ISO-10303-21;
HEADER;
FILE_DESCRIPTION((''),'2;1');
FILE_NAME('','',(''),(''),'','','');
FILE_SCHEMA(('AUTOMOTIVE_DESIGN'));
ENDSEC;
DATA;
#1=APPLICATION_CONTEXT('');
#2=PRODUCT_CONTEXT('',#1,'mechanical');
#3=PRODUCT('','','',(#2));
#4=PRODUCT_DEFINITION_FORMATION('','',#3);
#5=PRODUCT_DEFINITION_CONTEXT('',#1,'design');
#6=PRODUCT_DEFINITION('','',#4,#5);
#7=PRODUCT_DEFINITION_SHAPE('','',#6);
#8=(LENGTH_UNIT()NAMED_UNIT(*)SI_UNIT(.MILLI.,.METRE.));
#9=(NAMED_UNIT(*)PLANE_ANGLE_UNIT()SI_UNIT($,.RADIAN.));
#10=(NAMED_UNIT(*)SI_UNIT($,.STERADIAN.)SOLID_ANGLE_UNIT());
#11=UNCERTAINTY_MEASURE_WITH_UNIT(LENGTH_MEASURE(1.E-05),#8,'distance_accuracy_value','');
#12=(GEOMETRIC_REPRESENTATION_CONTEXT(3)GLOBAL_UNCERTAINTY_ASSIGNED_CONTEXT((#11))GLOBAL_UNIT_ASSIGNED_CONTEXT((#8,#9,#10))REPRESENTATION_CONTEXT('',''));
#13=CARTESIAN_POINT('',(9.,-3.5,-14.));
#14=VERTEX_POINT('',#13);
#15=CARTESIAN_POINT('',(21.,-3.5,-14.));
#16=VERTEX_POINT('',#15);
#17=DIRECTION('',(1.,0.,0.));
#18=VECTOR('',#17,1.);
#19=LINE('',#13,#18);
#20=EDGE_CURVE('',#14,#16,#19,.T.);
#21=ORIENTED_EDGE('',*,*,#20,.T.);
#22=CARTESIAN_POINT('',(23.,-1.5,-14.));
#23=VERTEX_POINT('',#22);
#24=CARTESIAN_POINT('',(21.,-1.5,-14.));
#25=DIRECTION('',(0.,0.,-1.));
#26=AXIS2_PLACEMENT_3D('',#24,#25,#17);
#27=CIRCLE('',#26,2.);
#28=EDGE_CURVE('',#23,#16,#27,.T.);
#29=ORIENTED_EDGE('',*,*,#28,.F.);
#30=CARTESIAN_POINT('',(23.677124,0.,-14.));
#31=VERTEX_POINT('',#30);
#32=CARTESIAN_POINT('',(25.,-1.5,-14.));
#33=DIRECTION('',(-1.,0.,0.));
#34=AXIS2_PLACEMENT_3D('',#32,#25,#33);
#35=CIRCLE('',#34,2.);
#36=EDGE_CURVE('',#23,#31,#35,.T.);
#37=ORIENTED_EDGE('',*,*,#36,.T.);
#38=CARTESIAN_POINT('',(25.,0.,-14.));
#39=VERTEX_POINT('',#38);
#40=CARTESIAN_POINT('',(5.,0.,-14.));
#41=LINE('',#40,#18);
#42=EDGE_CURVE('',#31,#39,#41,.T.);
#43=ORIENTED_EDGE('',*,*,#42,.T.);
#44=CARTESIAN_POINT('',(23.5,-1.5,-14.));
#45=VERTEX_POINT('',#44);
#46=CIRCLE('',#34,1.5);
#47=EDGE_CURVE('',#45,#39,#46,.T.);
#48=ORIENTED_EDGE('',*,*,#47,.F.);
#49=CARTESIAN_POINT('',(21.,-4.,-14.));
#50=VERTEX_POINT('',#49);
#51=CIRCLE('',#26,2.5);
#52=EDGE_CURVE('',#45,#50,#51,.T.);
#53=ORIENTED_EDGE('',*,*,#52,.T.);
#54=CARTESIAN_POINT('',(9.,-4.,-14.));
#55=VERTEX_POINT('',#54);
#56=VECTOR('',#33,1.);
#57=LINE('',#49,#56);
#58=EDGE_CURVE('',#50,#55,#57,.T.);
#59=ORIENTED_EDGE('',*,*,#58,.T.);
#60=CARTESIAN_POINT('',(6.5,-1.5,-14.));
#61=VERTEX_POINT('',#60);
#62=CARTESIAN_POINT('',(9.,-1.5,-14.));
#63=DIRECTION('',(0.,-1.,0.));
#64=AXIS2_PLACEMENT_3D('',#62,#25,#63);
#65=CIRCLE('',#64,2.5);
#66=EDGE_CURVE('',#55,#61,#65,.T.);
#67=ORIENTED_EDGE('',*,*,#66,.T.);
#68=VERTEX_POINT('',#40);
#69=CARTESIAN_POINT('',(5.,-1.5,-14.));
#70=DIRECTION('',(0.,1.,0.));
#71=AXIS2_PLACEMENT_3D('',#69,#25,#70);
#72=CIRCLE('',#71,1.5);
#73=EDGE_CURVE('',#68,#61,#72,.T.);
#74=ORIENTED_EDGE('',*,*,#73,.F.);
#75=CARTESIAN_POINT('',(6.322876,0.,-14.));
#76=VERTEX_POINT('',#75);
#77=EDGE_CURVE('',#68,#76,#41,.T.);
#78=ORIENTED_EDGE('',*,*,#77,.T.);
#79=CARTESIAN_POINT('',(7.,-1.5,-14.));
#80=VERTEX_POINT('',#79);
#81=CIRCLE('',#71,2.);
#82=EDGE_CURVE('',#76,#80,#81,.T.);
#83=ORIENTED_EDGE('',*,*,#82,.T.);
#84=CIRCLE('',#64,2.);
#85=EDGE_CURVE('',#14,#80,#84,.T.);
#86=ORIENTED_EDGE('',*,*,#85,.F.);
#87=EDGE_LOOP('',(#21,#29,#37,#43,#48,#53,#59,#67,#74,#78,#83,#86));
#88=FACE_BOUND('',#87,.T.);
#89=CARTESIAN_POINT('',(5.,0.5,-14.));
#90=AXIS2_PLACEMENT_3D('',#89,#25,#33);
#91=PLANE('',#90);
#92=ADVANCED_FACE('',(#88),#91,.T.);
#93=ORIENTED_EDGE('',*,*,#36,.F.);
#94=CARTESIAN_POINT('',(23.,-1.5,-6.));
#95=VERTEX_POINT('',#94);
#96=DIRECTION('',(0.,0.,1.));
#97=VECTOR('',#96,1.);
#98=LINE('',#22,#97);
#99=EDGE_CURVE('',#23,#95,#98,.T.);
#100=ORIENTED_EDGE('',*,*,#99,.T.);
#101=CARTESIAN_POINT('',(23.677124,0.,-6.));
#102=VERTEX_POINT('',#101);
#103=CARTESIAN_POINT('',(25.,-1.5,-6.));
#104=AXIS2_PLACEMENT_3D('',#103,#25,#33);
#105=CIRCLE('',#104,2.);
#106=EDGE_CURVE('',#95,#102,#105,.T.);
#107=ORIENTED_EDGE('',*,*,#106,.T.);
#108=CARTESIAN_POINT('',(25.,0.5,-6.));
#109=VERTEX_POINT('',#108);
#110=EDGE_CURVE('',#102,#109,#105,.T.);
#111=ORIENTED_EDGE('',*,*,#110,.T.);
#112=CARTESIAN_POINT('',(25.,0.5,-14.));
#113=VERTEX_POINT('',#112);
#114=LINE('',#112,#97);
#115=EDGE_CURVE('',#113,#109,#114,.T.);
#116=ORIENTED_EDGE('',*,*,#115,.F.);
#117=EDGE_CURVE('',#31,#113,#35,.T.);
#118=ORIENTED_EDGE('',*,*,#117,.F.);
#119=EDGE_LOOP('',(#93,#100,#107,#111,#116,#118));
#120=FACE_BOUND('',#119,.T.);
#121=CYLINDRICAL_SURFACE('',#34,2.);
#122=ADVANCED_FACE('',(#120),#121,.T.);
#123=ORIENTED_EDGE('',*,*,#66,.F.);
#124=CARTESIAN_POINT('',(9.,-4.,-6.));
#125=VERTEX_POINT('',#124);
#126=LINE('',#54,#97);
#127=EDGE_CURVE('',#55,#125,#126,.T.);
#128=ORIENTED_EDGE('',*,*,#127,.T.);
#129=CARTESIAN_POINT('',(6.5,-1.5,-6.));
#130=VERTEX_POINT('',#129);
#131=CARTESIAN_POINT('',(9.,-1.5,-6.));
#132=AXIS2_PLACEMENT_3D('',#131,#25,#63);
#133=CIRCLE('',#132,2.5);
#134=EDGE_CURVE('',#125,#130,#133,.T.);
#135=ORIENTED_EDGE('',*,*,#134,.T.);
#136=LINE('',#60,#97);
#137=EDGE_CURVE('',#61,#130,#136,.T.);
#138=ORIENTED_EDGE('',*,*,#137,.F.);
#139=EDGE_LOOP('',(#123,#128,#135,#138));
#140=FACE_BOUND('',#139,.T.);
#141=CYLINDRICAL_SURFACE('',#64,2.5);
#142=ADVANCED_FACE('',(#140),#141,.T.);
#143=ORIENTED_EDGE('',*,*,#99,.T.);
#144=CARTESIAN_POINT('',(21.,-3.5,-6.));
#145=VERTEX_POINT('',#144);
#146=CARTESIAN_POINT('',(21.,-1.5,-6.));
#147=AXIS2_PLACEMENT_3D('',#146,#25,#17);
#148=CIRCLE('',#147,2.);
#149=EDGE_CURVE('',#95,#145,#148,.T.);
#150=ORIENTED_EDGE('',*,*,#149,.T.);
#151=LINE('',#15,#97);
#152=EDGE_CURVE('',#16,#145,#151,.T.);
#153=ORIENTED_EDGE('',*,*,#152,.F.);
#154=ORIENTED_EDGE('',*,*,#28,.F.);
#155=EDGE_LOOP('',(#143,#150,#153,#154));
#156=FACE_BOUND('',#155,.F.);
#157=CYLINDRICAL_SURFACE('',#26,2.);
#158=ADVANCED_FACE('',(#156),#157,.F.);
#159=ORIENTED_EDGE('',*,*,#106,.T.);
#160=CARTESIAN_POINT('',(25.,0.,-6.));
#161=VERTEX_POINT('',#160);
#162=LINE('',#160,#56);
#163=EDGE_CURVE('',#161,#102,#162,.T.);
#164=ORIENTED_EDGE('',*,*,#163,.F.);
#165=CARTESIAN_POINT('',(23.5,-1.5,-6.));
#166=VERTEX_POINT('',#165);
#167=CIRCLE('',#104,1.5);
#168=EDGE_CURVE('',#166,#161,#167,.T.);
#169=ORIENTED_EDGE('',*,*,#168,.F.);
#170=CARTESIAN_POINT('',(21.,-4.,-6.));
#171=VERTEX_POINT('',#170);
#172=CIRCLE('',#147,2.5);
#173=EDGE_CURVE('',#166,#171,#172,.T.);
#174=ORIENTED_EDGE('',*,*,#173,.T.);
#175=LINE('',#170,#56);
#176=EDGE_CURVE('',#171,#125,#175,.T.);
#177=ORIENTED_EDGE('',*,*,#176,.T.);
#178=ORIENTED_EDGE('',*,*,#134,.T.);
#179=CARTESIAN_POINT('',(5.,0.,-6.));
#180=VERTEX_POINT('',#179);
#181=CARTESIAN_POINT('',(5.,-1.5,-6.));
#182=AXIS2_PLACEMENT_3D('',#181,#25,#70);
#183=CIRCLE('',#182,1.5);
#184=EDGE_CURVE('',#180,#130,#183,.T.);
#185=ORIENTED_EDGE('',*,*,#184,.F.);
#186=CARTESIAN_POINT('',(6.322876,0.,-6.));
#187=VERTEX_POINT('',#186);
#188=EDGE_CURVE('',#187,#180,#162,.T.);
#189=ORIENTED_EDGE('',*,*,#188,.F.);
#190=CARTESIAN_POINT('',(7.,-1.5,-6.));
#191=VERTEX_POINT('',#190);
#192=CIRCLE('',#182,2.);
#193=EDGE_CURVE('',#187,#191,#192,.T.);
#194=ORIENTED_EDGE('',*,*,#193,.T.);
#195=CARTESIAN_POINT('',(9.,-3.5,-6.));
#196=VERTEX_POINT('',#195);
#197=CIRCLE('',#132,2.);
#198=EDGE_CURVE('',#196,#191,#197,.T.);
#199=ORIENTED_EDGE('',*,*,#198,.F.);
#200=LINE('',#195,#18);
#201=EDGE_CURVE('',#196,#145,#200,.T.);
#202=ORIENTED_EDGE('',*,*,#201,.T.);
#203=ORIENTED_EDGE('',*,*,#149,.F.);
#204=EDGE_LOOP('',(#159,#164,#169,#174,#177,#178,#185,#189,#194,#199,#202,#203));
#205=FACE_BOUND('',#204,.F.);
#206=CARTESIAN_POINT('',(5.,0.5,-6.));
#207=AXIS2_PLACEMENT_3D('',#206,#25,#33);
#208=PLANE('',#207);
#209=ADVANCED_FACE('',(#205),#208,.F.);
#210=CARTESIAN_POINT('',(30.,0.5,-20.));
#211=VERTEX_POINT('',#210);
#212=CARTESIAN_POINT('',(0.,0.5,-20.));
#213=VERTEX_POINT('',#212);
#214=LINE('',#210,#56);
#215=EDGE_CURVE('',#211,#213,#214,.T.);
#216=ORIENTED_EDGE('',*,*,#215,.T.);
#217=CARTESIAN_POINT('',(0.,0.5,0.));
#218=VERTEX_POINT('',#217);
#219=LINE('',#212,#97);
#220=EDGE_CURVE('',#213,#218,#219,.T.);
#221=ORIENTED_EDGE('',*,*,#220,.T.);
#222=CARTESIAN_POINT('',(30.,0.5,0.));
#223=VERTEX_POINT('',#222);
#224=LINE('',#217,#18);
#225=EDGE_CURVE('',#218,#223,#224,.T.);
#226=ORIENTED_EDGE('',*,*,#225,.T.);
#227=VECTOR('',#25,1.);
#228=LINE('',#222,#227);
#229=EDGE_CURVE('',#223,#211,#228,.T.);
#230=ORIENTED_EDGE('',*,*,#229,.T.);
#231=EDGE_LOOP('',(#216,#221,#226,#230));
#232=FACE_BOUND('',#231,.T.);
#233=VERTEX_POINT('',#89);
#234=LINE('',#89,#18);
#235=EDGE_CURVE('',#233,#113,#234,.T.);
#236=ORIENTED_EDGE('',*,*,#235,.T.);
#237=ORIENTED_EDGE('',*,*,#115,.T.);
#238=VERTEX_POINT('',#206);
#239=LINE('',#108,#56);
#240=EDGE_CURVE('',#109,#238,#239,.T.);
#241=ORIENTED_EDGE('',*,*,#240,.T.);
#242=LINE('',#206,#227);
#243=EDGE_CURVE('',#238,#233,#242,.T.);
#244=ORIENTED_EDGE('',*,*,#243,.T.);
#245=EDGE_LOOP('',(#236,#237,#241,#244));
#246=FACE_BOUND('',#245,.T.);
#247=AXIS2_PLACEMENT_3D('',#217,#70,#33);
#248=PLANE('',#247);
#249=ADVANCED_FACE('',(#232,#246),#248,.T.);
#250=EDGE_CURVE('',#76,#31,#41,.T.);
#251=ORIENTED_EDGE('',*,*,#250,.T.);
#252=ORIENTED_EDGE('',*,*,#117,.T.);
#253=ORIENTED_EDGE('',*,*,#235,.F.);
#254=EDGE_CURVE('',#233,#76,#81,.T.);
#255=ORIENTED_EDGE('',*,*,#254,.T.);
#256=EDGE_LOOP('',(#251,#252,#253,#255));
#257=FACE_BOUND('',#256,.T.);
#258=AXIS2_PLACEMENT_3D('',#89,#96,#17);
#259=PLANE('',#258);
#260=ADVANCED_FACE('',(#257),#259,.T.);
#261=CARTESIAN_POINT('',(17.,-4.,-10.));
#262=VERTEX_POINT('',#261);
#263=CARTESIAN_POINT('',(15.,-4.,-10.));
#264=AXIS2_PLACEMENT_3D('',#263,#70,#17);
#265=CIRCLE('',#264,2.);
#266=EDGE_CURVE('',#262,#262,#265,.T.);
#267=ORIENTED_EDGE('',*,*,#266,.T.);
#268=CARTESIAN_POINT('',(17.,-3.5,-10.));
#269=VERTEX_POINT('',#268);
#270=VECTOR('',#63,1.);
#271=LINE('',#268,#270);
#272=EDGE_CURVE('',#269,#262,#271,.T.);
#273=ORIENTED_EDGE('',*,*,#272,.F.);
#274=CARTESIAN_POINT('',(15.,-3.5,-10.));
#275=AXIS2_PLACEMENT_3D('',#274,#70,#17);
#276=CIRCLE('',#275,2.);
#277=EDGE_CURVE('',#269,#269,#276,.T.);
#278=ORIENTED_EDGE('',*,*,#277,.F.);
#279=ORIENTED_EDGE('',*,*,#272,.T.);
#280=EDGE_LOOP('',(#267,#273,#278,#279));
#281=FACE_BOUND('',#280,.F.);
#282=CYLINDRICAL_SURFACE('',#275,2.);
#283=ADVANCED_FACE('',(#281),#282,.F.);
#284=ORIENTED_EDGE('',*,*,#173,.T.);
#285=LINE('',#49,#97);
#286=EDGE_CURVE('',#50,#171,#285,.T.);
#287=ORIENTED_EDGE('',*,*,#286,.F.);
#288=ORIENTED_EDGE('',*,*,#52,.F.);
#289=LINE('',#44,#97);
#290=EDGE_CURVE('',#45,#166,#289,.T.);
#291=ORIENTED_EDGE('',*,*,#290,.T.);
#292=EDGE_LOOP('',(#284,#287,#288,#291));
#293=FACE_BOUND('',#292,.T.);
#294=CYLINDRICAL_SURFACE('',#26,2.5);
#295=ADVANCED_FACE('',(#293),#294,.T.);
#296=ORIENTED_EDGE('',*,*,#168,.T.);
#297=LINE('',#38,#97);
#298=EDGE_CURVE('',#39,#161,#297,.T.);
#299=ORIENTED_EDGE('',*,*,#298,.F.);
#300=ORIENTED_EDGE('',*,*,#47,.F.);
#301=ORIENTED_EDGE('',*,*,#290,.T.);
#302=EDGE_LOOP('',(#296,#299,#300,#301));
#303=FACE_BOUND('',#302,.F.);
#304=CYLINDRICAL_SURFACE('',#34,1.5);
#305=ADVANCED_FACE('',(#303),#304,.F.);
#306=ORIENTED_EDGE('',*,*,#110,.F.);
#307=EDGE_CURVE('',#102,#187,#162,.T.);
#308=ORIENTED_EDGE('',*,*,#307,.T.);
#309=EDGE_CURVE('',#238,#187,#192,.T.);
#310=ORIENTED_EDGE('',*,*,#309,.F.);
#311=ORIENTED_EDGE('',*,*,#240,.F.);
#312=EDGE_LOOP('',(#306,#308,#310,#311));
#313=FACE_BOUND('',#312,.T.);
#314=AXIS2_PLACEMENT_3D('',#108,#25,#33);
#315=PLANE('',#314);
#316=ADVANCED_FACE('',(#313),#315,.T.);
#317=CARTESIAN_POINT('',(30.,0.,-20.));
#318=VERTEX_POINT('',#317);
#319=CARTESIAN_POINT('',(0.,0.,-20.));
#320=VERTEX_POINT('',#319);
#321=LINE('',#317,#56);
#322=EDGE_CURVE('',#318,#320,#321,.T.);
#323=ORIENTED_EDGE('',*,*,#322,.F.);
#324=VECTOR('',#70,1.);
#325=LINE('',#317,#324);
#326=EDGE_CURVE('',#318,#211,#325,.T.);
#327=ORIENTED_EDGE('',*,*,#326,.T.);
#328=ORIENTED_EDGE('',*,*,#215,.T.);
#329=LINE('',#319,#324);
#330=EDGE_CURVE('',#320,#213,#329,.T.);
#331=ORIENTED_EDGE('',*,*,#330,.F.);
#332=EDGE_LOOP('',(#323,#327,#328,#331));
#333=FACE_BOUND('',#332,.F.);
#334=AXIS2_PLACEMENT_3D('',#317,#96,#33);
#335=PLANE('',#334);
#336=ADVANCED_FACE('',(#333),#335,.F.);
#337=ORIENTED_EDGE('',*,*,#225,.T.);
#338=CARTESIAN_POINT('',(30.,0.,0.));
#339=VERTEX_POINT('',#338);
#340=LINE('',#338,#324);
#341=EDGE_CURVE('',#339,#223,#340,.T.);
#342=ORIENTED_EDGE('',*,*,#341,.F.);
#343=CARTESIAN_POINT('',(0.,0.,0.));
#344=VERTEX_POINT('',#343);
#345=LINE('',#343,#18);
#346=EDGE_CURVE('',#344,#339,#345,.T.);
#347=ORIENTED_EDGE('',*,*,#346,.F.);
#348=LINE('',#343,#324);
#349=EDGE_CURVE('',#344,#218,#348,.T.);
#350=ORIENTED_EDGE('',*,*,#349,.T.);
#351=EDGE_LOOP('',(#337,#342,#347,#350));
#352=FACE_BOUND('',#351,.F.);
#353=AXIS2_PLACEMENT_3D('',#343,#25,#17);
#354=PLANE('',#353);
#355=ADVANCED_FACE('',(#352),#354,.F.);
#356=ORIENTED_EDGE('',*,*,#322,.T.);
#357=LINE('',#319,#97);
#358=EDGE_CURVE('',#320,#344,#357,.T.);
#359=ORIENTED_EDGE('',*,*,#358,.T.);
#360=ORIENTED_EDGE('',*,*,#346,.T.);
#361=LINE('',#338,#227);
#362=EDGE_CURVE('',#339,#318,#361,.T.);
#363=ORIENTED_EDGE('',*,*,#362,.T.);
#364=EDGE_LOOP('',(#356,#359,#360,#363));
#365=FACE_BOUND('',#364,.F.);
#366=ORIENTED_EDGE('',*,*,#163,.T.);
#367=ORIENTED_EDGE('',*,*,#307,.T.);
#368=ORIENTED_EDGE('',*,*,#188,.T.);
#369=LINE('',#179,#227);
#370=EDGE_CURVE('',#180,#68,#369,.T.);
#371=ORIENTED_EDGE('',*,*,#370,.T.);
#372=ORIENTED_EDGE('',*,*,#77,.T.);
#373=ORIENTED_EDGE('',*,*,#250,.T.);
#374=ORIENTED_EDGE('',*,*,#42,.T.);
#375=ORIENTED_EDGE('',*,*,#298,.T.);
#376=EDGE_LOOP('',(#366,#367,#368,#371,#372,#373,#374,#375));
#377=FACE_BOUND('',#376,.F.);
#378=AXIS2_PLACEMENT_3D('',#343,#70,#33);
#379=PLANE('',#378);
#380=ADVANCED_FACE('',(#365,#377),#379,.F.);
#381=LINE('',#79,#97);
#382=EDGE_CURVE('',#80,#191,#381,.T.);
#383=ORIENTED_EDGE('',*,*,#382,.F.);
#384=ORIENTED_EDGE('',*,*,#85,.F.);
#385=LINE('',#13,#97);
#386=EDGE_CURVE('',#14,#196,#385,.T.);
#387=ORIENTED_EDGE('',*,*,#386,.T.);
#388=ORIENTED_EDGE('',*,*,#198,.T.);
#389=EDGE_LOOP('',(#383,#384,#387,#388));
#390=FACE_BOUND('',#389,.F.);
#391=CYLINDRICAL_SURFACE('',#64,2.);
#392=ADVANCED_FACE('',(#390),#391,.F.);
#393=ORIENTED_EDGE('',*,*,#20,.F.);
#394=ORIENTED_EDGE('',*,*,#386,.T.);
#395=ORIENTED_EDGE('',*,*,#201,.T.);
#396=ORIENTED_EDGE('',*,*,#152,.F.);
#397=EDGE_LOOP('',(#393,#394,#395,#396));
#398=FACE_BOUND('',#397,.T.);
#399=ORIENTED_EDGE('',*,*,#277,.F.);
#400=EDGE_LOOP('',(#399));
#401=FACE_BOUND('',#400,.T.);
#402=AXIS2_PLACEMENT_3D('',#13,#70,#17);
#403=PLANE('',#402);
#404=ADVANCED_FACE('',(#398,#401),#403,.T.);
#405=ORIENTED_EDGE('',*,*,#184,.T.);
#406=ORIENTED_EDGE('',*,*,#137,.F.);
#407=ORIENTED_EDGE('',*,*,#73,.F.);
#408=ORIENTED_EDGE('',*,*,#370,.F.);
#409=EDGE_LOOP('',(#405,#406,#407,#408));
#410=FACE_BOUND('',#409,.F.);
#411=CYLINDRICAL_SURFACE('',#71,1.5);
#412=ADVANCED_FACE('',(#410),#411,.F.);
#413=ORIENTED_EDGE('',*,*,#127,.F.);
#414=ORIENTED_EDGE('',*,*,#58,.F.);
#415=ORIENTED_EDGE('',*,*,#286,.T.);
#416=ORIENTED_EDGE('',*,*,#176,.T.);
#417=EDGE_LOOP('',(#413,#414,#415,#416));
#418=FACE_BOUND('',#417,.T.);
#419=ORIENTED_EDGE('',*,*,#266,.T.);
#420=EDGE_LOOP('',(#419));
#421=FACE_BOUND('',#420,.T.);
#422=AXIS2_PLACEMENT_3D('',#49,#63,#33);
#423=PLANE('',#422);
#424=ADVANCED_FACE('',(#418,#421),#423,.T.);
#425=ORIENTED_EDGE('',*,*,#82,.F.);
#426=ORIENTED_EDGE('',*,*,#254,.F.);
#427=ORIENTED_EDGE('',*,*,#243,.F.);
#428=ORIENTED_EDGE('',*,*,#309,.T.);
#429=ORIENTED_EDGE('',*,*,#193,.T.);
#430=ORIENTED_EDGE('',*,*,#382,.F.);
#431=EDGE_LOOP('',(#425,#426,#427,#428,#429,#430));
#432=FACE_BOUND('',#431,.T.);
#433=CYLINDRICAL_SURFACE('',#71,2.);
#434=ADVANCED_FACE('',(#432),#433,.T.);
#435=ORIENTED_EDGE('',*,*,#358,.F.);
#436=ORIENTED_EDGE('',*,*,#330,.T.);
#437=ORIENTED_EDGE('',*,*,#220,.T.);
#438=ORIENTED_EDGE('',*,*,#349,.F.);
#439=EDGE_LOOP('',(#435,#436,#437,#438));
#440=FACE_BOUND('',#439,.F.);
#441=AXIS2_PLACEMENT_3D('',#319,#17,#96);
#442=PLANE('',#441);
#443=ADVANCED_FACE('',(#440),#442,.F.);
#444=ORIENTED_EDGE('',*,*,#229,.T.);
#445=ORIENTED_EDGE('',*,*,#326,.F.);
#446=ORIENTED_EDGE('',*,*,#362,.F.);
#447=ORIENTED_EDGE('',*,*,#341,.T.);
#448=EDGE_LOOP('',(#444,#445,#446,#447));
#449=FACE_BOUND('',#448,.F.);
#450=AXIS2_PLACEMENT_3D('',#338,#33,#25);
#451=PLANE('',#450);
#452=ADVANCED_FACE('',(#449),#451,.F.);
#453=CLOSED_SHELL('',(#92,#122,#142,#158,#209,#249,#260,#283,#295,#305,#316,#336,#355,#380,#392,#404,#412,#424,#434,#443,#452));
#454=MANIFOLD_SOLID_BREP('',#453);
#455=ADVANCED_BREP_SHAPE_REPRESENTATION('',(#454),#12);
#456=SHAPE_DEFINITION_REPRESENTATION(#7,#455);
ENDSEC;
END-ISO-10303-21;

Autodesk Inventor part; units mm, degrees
ref_plane "YZ Plane" through (0, 0, 0) normal (1, 0, 0) x (0, 1, 0)
ref_plane "XZ Plane" through (0, 0, 0) normal (0, 1, 0) x (-1, 0, 0)
sketch "Sketch1" plane through (0, 0, 0) normal (0, 1, 0) x (-1, 0, 0)
  line L0 (0, 0) -> (-30, 0)
  line L1 (-30, 0) -> (-30, -20)
  line L2 (-30, -20) -> (0, -20)
  line L3 (0, -20) -> (0, 0)
  dimension "d0" = 30
  dimension "d1" = 20
extrude "Plate1" add sketch "Sketch1" along normal blind 0.5
sketch "Sketch2" plane through (0, 0.5, 0) normal (0, 1, 0) x (1, 0, 0)
  line L0 (5, 14) -> (25, 14)
  line L1 (25, 14) -> (25, 6)
  line L2 (25, 6) -> (5, 6)
  line L3 (5, 6) -> (5, 14)
  line L4 (5, 14) -> (25, 6) construction
  line L5 (25, 14) -> (5, 6) construction
  line L6 (0, 0) -> (0, 20) projected
  line L7 (30, 0) -> (0, 0) projected
  point P0 (15, 10)
  dimension "d3" = 15
  dimension "d4" = 10
  dimension "d5" = 20
  dimension "Width" = 8
extrude "Extrusion1" cut sketch "Sketch2" against normal blind 0.5
ref_plane "Work Plane1" through (5, 0.5, -14) normal (0, 0, -1) x (-1, 0, 0)
sketch "Sketch3" plane through (5, 0.5, -14) normal (0, 0, -1) x (-1, 0, 0)
  line L0 (-20, 0) -> (0, 0) projected
  arc A0 (0, 0) -> (-2, -2) centre (0, -2) ccw
  arc A1 (-4, -4) -> (-2, -2) centre (-4, -2) ccw
  line L1 (-4, -4) -> (-16, -4)
  arc A2 (-18, -2) -> (-16, -4) centre (-16, -2) ccw
  arc A3 (-18, -2) -> (-20, 0) centre (-20, -2) ccw
  line L2 (0, 0) -> (-20, 0) projected
  arc A4 (-18.5, -2) -> (-20, -0.5) centre (-20, -2) ccw
  arc A5 (-18.5, -2) -> (-16, -4.5) centre (-16, -2) ccw
  line L3 (-16, -4.5) -> (-4, -4.5)
  arc A6 (-4, -4.5) -> (-1.5, -2) centre (-4, -2) ccw
  arc A7 (0, -0.5) -> (-1.5, -2) centre (0, -2) ccw
  line L4 (-20, -0.5) -> (-20, 0)
  line L5 (0, -0.5) -> (0, 0)
  point P0 (5, -0.5)
  dimension "d9" = 2
  dimension "d10" = 0.5
extrude "Extrusion2" add sketch "Sketch3" against normal blind 8 contours A3 A2 L1 A1 A0 L5 A7 A6 L3 A5 A4 L4
sketch "Sketch4" plane through (9, -3.5, -14) normal (0, 1, 0) x (1, 0, 0)
  circle A0 centre (6, -4) radius 2
  point P0 (-9, -14)
  dimension "d13" = 4
extrude "Extrusion3" cut sketch "Sketch4" against normal blind 0.5
equation "\"d7\" = Thickness"
equation "\"d10\" = Thickness"
equation "\"d11\" = Width"
equation "\"d14\" = Thickness"
equation "\"d2\" = Thickness"
equation "\"BendRadius\" = Thickness"
equation "\"BendReliefWidth\" = Thickness"
equation "\"BendReliefDepth\" = 0.5 * Thickness"
equation "\"CornerReliefSize\" = 4 * Thickness"
equation "\"MinimumRemnant\" = 2 * Thickness"
equation "\"TransitionRadius\" = BendRadius"
equation "\"JacobiRadiusSize\" = BendRadius"
equation "\"GapSize\" = Thickness"
equation "\"Thickness\" = 0.5"
properties part number "CE-4.1.3"
